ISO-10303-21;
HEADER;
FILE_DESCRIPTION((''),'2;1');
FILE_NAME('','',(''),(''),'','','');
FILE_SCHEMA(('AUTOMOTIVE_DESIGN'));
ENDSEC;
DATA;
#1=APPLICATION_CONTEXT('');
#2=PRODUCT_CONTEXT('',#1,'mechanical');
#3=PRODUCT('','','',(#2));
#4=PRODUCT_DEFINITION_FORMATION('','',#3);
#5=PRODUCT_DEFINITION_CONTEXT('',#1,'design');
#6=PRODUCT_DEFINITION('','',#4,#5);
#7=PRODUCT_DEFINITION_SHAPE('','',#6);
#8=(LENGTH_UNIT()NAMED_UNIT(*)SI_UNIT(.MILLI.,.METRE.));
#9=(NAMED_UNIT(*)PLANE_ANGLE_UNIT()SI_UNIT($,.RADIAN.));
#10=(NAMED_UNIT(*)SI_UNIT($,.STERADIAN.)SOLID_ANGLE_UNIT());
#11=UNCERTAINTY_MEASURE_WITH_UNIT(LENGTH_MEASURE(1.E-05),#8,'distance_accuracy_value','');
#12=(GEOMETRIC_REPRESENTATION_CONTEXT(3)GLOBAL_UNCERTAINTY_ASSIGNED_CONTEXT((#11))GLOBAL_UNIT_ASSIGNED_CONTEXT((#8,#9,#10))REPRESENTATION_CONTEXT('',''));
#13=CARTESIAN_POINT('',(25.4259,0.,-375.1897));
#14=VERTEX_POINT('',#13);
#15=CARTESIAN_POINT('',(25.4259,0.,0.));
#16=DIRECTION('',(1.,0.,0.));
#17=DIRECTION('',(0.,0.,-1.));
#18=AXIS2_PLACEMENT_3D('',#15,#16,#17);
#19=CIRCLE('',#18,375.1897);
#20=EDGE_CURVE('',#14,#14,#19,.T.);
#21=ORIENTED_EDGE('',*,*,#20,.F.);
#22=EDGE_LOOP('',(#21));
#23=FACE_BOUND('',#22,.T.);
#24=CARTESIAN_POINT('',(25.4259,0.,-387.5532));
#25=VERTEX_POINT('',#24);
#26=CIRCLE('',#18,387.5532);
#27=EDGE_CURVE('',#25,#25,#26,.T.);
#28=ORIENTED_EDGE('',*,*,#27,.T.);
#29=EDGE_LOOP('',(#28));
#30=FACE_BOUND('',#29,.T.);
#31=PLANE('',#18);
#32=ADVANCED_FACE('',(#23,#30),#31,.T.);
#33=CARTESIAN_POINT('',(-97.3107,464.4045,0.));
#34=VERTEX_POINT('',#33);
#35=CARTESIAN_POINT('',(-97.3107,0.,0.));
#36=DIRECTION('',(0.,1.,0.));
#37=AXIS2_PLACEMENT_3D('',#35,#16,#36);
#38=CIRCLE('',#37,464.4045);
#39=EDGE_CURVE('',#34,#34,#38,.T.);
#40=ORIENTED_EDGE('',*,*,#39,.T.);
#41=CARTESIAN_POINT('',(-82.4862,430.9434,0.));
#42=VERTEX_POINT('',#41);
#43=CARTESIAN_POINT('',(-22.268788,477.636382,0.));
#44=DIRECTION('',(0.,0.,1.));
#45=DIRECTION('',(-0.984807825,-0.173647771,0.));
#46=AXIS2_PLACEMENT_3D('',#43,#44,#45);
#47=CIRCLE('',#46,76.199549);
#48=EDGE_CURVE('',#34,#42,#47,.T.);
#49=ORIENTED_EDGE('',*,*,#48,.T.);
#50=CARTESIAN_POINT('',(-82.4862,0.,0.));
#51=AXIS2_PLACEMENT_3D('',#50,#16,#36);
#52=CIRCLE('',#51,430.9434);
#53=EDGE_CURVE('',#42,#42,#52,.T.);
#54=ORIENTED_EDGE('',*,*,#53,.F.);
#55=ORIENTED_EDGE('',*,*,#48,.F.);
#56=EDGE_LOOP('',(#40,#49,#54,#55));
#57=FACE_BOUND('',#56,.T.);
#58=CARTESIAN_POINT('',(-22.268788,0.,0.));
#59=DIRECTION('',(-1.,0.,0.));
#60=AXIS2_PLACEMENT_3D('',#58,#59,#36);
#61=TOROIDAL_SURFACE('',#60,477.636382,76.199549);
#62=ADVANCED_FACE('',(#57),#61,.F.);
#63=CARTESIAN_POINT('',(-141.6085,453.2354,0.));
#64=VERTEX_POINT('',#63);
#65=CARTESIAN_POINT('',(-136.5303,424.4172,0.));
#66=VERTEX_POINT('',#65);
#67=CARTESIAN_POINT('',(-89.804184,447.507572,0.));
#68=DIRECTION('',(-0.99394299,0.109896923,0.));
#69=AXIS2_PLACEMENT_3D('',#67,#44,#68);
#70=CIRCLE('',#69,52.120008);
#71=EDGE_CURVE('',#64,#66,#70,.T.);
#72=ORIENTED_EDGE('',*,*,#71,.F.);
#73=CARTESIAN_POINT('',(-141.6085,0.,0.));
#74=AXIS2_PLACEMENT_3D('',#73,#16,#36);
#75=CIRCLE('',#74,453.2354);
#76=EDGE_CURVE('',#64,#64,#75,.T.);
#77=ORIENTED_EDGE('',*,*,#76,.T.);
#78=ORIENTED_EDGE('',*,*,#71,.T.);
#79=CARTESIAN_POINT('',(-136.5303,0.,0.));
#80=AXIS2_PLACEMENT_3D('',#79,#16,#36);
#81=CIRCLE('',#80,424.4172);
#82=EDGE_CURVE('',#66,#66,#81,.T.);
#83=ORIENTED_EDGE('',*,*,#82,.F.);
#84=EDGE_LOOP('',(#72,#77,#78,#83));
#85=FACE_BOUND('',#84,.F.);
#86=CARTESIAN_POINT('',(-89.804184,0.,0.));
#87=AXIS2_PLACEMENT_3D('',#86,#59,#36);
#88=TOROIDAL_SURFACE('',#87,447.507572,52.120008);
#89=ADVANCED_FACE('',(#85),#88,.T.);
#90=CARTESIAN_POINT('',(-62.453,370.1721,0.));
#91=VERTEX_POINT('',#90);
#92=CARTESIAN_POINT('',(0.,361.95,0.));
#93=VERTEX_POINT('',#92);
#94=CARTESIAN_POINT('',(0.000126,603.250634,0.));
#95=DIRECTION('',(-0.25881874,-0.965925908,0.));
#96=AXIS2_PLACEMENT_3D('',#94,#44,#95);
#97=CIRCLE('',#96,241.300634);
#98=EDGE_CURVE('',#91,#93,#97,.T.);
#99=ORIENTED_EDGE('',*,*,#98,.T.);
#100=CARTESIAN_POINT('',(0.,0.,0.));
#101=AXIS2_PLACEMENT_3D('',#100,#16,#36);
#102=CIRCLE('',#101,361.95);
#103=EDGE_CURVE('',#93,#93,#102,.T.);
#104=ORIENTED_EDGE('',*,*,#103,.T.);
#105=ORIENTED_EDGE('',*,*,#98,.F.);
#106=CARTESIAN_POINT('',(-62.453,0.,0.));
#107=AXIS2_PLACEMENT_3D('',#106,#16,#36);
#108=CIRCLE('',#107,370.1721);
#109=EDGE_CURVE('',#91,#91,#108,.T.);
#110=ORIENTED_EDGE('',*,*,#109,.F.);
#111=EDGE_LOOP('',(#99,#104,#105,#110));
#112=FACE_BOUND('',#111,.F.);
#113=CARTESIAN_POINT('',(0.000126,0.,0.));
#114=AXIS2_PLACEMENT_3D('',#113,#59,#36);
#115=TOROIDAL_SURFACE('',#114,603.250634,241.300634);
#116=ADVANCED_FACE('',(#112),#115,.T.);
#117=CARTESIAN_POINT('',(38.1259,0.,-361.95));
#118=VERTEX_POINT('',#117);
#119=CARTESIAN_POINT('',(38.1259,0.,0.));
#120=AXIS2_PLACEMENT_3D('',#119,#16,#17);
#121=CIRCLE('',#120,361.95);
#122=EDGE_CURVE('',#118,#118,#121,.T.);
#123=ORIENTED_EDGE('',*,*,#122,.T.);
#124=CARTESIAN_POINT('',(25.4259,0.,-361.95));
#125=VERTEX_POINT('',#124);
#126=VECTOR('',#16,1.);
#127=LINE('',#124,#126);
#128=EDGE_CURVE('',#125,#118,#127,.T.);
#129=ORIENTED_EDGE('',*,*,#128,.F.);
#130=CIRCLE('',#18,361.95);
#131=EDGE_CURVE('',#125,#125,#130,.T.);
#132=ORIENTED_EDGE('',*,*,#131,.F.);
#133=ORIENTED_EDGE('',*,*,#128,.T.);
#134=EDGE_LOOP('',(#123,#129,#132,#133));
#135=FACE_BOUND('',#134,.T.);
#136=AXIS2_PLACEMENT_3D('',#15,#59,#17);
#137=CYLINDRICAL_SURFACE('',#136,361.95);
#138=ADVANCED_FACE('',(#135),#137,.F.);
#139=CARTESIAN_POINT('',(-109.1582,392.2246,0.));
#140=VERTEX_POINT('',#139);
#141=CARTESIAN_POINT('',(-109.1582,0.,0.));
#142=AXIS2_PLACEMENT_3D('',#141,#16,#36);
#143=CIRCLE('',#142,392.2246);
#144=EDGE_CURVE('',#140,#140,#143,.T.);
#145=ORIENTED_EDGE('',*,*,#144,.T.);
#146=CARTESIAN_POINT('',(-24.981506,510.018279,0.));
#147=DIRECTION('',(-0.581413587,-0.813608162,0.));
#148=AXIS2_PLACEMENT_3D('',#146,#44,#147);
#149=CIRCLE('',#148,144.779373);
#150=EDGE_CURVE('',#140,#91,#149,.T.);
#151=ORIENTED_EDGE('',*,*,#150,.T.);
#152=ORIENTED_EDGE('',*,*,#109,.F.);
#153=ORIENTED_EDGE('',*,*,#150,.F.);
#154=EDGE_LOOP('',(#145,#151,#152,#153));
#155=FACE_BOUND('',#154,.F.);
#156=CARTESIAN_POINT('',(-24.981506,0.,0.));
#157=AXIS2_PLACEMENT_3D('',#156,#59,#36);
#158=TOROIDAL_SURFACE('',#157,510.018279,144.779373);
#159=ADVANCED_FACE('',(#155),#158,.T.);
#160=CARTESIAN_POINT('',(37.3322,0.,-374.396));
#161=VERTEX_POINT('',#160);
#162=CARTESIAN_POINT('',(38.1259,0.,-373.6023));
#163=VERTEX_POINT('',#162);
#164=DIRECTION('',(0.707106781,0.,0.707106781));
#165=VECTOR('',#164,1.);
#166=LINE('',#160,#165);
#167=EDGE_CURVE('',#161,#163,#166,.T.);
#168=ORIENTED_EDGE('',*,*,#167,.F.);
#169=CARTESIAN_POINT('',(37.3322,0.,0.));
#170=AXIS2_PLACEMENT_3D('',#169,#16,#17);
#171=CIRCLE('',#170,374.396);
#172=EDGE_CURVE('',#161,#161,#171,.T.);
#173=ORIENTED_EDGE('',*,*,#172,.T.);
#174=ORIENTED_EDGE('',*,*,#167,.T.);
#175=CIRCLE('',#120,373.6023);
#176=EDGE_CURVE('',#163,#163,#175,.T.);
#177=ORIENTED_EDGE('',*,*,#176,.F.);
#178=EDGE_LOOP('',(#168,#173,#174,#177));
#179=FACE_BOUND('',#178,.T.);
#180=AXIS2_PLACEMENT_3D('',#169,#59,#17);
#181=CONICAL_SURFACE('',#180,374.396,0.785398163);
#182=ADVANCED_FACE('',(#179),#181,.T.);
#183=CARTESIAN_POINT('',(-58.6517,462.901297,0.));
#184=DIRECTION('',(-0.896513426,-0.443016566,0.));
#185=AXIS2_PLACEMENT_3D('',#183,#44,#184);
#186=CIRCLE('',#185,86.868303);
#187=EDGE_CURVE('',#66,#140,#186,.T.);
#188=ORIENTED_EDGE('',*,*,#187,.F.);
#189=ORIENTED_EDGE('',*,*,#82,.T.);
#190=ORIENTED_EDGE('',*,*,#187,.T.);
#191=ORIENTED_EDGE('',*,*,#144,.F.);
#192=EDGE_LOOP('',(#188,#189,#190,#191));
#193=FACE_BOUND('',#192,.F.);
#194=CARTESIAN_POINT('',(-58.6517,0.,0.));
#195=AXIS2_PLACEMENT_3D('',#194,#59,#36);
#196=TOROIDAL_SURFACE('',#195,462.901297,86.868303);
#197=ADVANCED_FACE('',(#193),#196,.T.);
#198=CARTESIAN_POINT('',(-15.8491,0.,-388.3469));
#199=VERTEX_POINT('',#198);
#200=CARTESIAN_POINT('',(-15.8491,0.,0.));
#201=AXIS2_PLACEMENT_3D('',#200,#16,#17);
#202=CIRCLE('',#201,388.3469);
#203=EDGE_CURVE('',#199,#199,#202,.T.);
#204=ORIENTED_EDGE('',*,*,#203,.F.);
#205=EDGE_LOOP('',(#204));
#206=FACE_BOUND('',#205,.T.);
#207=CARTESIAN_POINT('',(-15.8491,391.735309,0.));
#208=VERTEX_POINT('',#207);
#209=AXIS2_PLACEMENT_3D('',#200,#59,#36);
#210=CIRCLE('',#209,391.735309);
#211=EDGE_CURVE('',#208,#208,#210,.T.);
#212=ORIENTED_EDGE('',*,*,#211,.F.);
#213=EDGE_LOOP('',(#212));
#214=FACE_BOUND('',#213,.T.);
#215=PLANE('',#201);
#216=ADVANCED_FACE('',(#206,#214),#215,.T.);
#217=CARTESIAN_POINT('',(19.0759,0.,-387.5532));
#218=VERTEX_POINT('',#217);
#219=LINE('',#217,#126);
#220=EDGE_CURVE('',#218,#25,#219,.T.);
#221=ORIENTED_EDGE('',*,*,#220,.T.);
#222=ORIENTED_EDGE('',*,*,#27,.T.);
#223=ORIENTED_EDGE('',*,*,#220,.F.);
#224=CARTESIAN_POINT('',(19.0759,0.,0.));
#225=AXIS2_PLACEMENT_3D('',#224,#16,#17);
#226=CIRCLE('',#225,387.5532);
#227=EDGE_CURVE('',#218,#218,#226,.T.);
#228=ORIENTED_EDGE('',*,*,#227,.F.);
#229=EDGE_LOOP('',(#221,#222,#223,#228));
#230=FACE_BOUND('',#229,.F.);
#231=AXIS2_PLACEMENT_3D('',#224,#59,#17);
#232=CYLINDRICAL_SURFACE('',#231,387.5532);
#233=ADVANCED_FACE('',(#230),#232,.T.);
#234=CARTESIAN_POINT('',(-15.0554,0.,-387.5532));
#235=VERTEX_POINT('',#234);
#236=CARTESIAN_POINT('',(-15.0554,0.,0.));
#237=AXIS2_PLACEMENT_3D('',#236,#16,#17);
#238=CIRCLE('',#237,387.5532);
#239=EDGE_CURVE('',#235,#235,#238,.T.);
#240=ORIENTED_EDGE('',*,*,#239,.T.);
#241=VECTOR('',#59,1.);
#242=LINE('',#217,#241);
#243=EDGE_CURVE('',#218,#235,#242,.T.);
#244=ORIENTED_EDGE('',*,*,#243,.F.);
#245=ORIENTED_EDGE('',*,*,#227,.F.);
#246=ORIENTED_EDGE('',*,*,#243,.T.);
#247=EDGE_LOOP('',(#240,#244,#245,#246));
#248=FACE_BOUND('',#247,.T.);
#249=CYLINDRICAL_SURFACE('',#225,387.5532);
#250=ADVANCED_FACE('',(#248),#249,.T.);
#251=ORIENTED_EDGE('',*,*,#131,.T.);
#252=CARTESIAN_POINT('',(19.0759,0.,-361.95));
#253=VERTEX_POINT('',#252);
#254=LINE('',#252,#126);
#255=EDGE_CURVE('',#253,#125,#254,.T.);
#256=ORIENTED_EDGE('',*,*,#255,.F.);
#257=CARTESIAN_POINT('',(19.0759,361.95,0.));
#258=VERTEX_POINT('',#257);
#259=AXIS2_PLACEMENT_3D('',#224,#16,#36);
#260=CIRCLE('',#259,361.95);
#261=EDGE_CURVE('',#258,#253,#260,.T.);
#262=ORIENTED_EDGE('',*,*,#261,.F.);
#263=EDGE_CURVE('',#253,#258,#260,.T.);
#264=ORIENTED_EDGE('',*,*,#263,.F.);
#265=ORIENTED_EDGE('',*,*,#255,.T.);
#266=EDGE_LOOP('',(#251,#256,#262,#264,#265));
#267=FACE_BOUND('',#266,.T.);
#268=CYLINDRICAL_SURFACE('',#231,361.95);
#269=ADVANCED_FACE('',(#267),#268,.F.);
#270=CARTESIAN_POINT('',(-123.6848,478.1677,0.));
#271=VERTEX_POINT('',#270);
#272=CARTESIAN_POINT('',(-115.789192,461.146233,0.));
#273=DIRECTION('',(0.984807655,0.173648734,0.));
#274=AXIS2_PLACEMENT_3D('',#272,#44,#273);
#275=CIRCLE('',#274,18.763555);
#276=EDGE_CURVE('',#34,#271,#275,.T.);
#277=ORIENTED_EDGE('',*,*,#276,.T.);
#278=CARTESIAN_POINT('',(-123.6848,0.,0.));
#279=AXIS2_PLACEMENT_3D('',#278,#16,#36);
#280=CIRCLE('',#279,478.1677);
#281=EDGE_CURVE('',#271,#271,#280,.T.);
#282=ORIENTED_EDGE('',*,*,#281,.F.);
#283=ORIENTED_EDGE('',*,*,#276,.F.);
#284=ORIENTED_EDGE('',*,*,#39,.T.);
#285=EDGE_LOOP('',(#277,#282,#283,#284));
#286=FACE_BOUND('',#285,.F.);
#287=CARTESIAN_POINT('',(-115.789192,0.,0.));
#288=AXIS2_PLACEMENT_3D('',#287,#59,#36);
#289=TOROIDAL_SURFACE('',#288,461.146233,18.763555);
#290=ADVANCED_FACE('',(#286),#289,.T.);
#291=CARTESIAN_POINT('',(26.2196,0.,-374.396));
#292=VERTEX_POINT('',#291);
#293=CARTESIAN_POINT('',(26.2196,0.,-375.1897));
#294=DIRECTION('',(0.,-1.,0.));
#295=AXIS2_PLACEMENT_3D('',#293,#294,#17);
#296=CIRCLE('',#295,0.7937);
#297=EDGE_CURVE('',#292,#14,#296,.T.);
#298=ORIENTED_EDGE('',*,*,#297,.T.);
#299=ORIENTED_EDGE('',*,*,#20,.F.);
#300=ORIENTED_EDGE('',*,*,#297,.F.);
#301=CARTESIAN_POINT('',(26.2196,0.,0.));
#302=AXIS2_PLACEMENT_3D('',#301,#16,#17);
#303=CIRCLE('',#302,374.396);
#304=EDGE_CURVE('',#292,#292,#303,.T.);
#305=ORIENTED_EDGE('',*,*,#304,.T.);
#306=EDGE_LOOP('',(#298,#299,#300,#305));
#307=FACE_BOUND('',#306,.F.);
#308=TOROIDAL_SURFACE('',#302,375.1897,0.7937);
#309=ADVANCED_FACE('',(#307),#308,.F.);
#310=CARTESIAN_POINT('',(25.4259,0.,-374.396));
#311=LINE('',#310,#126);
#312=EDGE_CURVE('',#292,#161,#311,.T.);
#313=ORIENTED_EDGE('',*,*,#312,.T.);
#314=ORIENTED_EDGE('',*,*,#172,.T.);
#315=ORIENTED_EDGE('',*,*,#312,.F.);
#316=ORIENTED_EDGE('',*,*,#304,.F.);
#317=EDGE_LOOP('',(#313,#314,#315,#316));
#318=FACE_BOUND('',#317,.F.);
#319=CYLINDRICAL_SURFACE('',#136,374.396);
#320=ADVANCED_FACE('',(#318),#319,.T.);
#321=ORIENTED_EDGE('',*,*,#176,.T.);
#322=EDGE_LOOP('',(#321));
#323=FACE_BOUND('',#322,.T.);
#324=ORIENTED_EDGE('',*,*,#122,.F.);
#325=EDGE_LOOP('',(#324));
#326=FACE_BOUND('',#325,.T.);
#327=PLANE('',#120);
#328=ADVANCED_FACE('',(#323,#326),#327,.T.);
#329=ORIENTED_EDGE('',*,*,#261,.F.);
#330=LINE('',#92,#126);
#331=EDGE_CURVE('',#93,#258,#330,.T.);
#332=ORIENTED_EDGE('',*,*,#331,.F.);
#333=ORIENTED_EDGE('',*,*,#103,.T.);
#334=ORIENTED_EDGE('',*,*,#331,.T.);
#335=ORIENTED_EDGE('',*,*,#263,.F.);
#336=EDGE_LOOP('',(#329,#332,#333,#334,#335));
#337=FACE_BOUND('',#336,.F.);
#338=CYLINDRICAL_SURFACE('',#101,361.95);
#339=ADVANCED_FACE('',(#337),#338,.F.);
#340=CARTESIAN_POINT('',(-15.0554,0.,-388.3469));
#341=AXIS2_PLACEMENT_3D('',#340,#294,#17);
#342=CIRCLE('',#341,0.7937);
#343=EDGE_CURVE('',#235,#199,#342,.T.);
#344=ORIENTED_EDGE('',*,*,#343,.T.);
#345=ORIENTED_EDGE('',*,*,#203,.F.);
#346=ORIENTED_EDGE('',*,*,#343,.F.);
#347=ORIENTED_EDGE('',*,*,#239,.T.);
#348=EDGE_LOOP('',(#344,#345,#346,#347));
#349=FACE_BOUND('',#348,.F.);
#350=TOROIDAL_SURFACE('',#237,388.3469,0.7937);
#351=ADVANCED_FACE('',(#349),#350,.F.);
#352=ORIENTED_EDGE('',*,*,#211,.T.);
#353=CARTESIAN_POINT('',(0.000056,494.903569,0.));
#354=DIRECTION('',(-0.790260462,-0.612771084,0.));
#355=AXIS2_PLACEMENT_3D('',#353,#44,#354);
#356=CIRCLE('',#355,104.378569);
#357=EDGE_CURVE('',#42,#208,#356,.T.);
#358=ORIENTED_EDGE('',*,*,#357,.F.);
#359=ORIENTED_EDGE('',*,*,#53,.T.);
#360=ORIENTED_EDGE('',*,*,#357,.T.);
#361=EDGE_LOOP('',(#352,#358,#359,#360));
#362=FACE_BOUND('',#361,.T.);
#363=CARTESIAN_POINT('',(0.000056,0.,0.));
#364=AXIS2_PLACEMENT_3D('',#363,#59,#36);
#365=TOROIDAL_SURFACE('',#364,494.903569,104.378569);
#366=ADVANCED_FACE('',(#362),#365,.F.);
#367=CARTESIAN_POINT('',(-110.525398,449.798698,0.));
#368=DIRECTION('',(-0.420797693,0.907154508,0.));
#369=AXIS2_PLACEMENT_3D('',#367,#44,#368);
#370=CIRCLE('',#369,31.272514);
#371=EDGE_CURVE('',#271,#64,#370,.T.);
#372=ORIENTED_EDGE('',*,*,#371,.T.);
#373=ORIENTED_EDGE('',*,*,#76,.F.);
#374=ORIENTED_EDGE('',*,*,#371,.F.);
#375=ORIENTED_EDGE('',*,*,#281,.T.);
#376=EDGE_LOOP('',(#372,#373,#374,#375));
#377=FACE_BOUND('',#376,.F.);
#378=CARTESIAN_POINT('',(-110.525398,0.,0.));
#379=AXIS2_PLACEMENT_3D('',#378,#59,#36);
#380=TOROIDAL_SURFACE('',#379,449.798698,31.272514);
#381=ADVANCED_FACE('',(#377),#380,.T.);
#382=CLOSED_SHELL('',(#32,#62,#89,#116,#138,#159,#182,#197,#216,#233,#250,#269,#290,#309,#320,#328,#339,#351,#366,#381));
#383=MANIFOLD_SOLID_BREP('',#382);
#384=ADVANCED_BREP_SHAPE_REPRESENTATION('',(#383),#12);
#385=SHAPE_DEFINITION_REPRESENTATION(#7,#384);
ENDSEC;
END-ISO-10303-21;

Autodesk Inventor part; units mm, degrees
ref_plane "YZ Plane" through (0, 0, 0) normal (1, 0, 0) x (0, 1, 0)
ref_plane "XZ Plane" through (0, 0, 0) normal (0, 1, 0) x (-1, 0, 0)
ref_plane "XY Plane" through (0, 0, 0) normal (0, 0, 1) x (1, 0, 0)
sketch "Sketch1" plane through (0, 0, 0) normal (0, 0, 1) x (1, 0, 0)
  line L0 (0, 0) -> (19.0759, 0)
  line L1 (19.0759, 390.525) -> (0, 390.525)
  line L2 (0, 390.525) -> (0, 361.95)
  line L3 (0, 361.95) -> (19.0759, 361.95)
  line L4 (19.0759, 361.95) -> (19.0759, 390.525)
  arc A0 (-62.453, 370.1721) -> (0, 361.95) centre (0, 603.25) ccw
  arc A1 (-109.1582, 392.2246) -> (-62.453, 370.1721) centre (-24.9812, 510.0188) ccw
  arc A2 (-136.5303, 424.4172) -> (-109.1582, 392.2246) centre (-58.652, 462.9011) ccw
  arc A3 (-141.6085, 453.2354) -> (-136.5303, 424.4172) centre (-89.8033, 447.5076) ccw
  line L5 (0, 603.25) -> (-62.453, 370.1721) construction
  line L6 (-24.9812, 510.0188) -> (-109.1582, 392.2246) construction
  line L7 (-58.652, 462.9011) -> (-136.5303, 424.4172) construction
  line L8 (-97.5912, 443.6592) -> (-141.6085, 453.2354) construction
  arc A4 (-123.6848, 478.1677) -> (-141.6085, 453.2354) centre (-110.5254, 449.7987) ccw
  line L9 (-110.5254, 449.7987) -> (-123.6848, 478.1677) construction
  line L10 (-141.9241, 481.0712) -> (-141.9241, 0) construction
  arc A5 (-97.3107, 464.4045) -> (-123.6848, 478.1677) centre (-115.7891, 461.1463) ccw
  line L11 (-115.7891, 461.1463) -> (-97.3107, 464.4045) construction
  arc A6 (-97.3107, 464.4045) -> (-82.4862, 430.9434) centre (-22.2684, 477.6365) ccw
  arc A7 (-82.4862, 430.9434) -> (0, 390.525) centre (0, 494.9035) ccw
  line L12 (-110.5254, 449.7987) -> (-110.5254, 481.0712) construction
  dimension "d1" = 781.05
  dimension "d3" = 723.9
  dimension "d4" = 723.9
  dimension "d5" = 241.3
  dimension "d6" = 15
  dimension "d7" = 144.78
  dimension "d8" = 20.55
  dimension "d9" = 86.868
  dimension "d10" = 28.154
  dimension "d11" = 52.1208
  dimension "d12" = 38.57
  dimension "d13" = 31.2725
  dimension "d14" = 52.841
  dimension "d17" = 18.7635
  dimension "d18" = 80
  dimension "d19" = 76.2
  dimension "d37" = 0
  dimension "d94" = 962.1424
  dimension "d99" = 161
  dimension "d100" = 19.0758
  dimension "d101" = 895.0151
  dimension "d112" = 19.0758
revolve "Revolution1" add sketch "Sketch1" angle 360 about axis through (0, 0, 0) along (1, 0, 0)
sketch "Sketch9" plane through (19.0759, 0, 0) normal (1, 0, 0) x (0, 0, -1)
  circle A0 centre (0, 0) radius 390.525 projected
  circle A1 centre (0, 0) radius 387.5532
  circle A2 centre (0, 0) radius 430.9434 projected
  dimension "d95" = 775.1064
extrude "Extrusion8" cut sketch "Sketch9" against normal blind 34.925 contours A0 | A2
fillet "Fillet14" radius 0.7937 1 edges at (-15.8491, 0, 387.5532)
sketch "Sketch11" plane through (19.0759, 0, 0) normal (1, 0, 0) x (0, 0, -1)
  circle A0 centre (0, 0) radius 361.95 projected
  circle A1 centre (0, 0) radius 387.5532 projected
extrude "Extrusion10" add sketch "Sketch11" along normal blind 6.35
sketch "Sketch10" plane through (25.4259, 0, 0) normal (1, 0, 0) x (0, 0, -1)
  circle A0 centre (0, 0) radius 374.396
  circle A1 centre (0, 0) radius 361.95 projected
  dimension "d111" = 12.446
extrude "Extrusion9" add sketch "Sketch10" along normal blind 12.7
fillet "Fillet15" radius 0.7937 1 edges at (25.4259, 0, 374.396)
chamfer "Chamfer4" distance 0.7937 angle 45 1 edges at (38.1259, 0, 374.396)
equation "\"Curve_Ratio\" = 0.6"
equation "\"Angle_Ratio\" = 1.37"
properties part number "A1-19027-500-02 HCWI nozzle horn" material "Iron, HCWI"
